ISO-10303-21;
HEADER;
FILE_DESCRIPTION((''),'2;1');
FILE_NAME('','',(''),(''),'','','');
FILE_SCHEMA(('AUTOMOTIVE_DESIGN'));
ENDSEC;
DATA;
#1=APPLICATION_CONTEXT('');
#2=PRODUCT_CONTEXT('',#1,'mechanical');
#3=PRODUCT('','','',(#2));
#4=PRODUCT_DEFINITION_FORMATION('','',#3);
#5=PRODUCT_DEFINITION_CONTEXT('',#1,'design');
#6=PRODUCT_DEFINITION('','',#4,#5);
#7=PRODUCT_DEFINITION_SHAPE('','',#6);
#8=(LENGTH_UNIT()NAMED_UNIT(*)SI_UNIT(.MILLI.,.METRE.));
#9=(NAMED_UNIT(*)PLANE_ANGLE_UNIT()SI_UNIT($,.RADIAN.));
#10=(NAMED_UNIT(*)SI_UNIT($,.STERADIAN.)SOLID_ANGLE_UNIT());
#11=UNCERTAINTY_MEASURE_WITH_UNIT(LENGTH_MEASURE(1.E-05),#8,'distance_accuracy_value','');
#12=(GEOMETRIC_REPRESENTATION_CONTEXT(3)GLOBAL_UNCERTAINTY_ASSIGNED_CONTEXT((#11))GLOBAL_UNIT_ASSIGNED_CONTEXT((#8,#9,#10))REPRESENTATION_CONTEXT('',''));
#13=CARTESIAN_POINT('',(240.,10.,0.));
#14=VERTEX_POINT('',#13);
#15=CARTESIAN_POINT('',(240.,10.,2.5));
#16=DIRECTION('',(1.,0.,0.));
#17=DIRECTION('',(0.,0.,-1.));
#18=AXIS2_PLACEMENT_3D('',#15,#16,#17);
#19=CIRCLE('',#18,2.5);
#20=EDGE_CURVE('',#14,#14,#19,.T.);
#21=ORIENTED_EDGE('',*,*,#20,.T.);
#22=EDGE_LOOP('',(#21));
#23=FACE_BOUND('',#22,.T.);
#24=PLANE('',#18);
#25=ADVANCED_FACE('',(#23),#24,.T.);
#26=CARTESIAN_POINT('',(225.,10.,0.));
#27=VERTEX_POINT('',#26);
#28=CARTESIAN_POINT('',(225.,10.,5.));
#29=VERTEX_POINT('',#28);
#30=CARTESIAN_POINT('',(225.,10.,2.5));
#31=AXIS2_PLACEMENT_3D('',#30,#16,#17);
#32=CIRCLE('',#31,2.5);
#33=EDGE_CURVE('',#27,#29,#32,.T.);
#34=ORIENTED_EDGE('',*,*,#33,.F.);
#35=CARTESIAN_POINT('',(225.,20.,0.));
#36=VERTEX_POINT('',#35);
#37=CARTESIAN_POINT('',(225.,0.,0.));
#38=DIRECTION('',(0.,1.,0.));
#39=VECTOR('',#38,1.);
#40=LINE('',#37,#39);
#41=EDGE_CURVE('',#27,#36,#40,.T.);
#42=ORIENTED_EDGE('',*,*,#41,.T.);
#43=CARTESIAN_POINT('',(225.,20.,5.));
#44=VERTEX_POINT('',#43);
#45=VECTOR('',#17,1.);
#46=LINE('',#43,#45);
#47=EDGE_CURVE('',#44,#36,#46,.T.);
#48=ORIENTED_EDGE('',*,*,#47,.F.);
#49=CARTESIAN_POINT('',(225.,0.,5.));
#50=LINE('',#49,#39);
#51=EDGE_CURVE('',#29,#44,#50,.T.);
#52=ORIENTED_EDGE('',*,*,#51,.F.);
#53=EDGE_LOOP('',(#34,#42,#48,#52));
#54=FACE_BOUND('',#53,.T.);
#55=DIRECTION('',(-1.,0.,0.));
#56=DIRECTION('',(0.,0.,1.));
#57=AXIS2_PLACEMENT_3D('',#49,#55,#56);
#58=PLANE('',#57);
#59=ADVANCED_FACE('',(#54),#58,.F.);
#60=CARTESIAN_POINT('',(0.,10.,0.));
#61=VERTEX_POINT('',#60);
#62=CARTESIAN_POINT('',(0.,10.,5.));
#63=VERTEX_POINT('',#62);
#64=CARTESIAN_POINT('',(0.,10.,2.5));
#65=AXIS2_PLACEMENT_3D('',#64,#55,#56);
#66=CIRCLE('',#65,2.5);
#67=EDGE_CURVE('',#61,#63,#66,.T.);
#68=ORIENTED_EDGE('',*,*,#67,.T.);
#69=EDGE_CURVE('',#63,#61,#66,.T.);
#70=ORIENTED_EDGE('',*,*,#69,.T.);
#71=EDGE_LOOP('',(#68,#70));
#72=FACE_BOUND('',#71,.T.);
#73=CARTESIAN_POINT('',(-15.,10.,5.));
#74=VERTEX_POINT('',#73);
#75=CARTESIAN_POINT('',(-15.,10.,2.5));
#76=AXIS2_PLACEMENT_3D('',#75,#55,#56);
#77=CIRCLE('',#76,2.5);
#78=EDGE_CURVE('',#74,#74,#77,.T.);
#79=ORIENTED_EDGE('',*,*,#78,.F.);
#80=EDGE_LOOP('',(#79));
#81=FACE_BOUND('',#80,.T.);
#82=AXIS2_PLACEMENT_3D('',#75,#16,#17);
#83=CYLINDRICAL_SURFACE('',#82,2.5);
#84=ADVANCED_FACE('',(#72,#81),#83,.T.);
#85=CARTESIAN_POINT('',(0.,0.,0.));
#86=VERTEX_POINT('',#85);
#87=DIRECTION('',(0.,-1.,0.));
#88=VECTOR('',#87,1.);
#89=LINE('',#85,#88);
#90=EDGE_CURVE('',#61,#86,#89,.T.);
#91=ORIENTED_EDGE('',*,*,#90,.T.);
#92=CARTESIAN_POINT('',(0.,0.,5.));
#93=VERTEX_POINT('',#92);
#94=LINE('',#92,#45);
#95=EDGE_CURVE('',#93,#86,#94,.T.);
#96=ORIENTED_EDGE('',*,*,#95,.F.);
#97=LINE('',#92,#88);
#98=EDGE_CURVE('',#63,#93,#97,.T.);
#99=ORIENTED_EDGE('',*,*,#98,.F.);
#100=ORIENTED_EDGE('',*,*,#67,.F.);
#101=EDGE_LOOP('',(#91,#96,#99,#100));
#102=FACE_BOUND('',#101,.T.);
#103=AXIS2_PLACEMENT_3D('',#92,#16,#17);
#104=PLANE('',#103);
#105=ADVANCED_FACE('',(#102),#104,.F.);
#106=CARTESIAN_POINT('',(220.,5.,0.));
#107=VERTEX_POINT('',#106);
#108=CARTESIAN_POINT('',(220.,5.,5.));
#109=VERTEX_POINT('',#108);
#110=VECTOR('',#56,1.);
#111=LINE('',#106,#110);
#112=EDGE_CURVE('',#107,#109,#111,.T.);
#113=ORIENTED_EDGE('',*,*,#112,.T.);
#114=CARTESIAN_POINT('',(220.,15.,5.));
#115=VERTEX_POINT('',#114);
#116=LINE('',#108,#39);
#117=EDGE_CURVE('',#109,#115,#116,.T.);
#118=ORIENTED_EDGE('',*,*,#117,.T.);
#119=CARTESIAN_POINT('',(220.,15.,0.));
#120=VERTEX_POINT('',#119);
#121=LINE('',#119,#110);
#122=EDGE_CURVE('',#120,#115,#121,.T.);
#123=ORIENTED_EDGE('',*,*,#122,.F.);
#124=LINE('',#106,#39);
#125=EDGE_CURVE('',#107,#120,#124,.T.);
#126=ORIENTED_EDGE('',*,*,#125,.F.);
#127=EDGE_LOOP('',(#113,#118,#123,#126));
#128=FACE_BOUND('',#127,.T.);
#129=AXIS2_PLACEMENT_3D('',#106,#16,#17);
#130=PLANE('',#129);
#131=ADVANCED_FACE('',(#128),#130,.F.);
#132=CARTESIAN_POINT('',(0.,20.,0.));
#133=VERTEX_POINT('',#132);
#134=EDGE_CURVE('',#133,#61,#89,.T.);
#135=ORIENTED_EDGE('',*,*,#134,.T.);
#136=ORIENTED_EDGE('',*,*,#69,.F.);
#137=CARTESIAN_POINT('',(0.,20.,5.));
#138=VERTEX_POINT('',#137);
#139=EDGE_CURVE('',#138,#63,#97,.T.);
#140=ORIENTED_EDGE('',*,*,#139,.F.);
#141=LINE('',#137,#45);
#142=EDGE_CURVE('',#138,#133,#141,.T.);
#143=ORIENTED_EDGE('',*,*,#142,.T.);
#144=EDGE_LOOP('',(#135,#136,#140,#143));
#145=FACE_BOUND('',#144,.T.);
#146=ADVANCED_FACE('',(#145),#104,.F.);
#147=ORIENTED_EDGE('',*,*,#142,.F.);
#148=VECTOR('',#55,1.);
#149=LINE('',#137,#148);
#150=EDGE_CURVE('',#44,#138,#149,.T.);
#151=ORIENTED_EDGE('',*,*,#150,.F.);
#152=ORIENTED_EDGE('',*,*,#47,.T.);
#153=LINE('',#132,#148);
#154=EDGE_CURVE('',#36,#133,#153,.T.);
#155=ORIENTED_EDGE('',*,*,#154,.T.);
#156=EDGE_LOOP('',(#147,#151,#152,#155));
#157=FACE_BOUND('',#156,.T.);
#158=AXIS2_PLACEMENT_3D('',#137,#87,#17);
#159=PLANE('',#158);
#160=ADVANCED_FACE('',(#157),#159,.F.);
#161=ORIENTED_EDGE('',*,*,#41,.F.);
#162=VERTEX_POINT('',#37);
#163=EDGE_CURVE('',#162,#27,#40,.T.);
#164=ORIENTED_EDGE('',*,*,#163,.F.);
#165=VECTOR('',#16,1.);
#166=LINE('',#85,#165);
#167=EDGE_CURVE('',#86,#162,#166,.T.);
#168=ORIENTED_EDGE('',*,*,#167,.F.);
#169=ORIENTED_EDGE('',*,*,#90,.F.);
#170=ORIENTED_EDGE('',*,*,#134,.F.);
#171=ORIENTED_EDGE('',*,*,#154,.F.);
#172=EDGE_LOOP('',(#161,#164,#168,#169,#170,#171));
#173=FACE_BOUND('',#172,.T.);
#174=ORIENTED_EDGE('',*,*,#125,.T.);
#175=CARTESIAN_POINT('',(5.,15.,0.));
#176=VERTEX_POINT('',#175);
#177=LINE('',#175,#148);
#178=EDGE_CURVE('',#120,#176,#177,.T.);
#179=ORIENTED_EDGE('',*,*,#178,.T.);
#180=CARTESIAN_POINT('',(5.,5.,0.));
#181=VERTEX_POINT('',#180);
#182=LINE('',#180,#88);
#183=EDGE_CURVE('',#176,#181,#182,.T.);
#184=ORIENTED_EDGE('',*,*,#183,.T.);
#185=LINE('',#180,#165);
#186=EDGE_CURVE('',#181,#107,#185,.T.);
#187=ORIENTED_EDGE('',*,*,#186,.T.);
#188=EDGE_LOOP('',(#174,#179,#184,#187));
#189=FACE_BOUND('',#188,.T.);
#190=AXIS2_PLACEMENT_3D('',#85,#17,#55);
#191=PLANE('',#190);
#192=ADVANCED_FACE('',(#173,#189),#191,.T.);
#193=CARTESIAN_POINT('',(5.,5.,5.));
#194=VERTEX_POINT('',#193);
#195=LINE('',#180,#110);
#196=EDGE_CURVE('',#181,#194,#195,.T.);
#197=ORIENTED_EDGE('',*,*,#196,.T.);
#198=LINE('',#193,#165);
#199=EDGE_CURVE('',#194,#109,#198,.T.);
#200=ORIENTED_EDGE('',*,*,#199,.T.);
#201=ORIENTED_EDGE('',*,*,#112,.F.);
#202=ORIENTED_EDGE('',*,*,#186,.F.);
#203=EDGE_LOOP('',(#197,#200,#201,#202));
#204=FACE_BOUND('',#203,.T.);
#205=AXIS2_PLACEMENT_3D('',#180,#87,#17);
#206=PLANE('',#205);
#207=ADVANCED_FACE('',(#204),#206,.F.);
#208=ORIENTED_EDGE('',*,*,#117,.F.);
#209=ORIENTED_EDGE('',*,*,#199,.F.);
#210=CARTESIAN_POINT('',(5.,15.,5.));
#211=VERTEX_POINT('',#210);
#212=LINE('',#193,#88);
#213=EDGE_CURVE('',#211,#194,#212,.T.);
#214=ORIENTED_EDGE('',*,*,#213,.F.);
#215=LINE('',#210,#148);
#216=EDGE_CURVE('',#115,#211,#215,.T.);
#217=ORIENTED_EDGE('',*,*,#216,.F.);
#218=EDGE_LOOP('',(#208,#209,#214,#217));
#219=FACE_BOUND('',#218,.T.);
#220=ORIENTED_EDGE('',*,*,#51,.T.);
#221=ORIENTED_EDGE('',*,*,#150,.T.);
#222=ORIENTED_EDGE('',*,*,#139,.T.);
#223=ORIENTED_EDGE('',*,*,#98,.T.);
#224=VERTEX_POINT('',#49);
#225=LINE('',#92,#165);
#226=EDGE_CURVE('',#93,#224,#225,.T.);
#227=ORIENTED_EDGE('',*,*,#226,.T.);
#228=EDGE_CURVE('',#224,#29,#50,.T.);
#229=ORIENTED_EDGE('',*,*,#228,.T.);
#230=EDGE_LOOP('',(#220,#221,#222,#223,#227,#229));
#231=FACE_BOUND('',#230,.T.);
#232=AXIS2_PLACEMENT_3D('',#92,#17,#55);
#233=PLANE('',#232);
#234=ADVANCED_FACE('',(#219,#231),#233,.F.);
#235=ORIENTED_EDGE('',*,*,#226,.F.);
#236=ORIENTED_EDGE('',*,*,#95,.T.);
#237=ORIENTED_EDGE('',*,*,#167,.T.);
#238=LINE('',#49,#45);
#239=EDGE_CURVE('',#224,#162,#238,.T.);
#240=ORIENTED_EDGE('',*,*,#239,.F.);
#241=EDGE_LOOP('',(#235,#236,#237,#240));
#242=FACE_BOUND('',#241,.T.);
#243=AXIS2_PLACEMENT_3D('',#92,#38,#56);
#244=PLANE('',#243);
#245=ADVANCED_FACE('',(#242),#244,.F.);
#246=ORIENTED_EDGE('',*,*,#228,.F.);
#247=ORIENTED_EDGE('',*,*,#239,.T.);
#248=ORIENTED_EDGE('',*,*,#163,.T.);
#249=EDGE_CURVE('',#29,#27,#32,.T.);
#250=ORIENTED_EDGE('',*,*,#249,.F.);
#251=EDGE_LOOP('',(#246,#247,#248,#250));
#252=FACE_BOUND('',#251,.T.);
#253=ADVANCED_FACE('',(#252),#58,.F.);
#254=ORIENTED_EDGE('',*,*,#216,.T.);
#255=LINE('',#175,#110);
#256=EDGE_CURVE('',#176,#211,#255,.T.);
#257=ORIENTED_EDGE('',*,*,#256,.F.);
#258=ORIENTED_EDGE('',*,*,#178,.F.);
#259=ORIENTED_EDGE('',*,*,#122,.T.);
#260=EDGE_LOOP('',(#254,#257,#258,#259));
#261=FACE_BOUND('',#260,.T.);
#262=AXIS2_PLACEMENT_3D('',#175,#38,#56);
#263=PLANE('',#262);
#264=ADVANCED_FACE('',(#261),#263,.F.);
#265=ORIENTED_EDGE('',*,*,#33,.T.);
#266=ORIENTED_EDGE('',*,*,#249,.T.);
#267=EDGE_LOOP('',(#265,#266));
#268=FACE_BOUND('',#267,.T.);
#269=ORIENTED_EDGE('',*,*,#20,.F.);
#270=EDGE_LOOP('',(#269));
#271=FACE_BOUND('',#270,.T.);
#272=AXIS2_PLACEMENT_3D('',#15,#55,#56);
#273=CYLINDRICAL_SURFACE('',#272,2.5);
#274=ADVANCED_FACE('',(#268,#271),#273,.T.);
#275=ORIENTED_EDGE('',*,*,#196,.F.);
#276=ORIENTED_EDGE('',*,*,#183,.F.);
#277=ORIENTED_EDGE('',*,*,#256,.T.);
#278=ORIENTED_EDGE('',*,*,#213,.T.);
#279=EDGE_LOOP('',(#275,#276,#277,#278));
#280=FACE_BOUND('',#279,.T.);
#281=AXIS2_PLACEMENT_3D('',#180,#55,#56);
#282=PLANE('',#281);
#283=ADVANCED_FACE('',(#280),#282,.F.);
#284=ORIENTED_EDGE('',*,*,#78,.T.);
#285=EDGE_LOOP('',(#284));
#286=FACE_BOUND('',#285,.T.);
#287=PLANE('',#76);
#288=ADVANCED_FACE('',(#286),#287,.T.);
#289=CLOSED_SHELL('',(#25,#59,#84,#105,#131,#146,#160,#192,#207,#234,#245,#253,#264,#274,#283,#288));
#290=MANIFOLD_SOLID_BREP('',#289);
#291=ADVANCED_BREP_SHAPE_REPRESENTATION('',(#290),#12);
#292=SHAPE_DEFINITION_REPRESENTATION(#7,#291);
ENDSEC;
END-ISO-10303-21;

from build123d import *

# Parameters (mm, degrees)
SKETCH1_W           = 225
SKETCH1_H           = 20
BOSS_EXTRUDE1_DEPTH = 5
SKETCH2_R           = 2.5
BOSS_EXTRUDE2_DEPTH = 15
SKETCH3_R           = 2.5
BOSS_EXTRUDE3_DEPTH = 15
SKETCH4_W           = 215
SKETCH4_H           = 10
CUT_EXTRUDE1_DEPTH  = 6


with BuildPart() as part:
    # Sketch1 → Boss-Extrude1 (new body)
    with BuildSketch(Plane.XY):
        with Locations((112.5, 10)):
            Rectangle(SKETCH1_W, SKETCH1_H)
    extrude(amount=BOSS_EXTRUDE1_DEPTH)

    # Sketch2 → Boss-Extrude2 (add)
    with BuildSketch(Plane(origin=(225, 0, 0), x_dir=(0, 0, -1), z_dir=(1, 0, 0))):
        with Locations((-2.5, 10)):
            Circle(SKETCH2_R)
    extrude(amount=BOSS_EXTRUDE2_DEPTH)

    # Sketch3 → Boss-Extrude3 (add)
    with BuildSketch(Plane.ZY):
        with Locations((2.5, 10)):
            Circle(SKETCH3_R)
    extrude(amount=BOSS_EXTRUDE3_DEPTH)

    # Sketch4 → Cut-Extrude1 (cut, through all)
    with BuildSketch(Plane.XY.offset(5)):
        with Locations((112.5, 10)):
            Rectangle(SKETCH4_W, SKETCH4_H)
    extrude(amount=-CUT_EXTRUDE1_DEPTH, mode=Mode.SUBTRACT)


solid = part.part
